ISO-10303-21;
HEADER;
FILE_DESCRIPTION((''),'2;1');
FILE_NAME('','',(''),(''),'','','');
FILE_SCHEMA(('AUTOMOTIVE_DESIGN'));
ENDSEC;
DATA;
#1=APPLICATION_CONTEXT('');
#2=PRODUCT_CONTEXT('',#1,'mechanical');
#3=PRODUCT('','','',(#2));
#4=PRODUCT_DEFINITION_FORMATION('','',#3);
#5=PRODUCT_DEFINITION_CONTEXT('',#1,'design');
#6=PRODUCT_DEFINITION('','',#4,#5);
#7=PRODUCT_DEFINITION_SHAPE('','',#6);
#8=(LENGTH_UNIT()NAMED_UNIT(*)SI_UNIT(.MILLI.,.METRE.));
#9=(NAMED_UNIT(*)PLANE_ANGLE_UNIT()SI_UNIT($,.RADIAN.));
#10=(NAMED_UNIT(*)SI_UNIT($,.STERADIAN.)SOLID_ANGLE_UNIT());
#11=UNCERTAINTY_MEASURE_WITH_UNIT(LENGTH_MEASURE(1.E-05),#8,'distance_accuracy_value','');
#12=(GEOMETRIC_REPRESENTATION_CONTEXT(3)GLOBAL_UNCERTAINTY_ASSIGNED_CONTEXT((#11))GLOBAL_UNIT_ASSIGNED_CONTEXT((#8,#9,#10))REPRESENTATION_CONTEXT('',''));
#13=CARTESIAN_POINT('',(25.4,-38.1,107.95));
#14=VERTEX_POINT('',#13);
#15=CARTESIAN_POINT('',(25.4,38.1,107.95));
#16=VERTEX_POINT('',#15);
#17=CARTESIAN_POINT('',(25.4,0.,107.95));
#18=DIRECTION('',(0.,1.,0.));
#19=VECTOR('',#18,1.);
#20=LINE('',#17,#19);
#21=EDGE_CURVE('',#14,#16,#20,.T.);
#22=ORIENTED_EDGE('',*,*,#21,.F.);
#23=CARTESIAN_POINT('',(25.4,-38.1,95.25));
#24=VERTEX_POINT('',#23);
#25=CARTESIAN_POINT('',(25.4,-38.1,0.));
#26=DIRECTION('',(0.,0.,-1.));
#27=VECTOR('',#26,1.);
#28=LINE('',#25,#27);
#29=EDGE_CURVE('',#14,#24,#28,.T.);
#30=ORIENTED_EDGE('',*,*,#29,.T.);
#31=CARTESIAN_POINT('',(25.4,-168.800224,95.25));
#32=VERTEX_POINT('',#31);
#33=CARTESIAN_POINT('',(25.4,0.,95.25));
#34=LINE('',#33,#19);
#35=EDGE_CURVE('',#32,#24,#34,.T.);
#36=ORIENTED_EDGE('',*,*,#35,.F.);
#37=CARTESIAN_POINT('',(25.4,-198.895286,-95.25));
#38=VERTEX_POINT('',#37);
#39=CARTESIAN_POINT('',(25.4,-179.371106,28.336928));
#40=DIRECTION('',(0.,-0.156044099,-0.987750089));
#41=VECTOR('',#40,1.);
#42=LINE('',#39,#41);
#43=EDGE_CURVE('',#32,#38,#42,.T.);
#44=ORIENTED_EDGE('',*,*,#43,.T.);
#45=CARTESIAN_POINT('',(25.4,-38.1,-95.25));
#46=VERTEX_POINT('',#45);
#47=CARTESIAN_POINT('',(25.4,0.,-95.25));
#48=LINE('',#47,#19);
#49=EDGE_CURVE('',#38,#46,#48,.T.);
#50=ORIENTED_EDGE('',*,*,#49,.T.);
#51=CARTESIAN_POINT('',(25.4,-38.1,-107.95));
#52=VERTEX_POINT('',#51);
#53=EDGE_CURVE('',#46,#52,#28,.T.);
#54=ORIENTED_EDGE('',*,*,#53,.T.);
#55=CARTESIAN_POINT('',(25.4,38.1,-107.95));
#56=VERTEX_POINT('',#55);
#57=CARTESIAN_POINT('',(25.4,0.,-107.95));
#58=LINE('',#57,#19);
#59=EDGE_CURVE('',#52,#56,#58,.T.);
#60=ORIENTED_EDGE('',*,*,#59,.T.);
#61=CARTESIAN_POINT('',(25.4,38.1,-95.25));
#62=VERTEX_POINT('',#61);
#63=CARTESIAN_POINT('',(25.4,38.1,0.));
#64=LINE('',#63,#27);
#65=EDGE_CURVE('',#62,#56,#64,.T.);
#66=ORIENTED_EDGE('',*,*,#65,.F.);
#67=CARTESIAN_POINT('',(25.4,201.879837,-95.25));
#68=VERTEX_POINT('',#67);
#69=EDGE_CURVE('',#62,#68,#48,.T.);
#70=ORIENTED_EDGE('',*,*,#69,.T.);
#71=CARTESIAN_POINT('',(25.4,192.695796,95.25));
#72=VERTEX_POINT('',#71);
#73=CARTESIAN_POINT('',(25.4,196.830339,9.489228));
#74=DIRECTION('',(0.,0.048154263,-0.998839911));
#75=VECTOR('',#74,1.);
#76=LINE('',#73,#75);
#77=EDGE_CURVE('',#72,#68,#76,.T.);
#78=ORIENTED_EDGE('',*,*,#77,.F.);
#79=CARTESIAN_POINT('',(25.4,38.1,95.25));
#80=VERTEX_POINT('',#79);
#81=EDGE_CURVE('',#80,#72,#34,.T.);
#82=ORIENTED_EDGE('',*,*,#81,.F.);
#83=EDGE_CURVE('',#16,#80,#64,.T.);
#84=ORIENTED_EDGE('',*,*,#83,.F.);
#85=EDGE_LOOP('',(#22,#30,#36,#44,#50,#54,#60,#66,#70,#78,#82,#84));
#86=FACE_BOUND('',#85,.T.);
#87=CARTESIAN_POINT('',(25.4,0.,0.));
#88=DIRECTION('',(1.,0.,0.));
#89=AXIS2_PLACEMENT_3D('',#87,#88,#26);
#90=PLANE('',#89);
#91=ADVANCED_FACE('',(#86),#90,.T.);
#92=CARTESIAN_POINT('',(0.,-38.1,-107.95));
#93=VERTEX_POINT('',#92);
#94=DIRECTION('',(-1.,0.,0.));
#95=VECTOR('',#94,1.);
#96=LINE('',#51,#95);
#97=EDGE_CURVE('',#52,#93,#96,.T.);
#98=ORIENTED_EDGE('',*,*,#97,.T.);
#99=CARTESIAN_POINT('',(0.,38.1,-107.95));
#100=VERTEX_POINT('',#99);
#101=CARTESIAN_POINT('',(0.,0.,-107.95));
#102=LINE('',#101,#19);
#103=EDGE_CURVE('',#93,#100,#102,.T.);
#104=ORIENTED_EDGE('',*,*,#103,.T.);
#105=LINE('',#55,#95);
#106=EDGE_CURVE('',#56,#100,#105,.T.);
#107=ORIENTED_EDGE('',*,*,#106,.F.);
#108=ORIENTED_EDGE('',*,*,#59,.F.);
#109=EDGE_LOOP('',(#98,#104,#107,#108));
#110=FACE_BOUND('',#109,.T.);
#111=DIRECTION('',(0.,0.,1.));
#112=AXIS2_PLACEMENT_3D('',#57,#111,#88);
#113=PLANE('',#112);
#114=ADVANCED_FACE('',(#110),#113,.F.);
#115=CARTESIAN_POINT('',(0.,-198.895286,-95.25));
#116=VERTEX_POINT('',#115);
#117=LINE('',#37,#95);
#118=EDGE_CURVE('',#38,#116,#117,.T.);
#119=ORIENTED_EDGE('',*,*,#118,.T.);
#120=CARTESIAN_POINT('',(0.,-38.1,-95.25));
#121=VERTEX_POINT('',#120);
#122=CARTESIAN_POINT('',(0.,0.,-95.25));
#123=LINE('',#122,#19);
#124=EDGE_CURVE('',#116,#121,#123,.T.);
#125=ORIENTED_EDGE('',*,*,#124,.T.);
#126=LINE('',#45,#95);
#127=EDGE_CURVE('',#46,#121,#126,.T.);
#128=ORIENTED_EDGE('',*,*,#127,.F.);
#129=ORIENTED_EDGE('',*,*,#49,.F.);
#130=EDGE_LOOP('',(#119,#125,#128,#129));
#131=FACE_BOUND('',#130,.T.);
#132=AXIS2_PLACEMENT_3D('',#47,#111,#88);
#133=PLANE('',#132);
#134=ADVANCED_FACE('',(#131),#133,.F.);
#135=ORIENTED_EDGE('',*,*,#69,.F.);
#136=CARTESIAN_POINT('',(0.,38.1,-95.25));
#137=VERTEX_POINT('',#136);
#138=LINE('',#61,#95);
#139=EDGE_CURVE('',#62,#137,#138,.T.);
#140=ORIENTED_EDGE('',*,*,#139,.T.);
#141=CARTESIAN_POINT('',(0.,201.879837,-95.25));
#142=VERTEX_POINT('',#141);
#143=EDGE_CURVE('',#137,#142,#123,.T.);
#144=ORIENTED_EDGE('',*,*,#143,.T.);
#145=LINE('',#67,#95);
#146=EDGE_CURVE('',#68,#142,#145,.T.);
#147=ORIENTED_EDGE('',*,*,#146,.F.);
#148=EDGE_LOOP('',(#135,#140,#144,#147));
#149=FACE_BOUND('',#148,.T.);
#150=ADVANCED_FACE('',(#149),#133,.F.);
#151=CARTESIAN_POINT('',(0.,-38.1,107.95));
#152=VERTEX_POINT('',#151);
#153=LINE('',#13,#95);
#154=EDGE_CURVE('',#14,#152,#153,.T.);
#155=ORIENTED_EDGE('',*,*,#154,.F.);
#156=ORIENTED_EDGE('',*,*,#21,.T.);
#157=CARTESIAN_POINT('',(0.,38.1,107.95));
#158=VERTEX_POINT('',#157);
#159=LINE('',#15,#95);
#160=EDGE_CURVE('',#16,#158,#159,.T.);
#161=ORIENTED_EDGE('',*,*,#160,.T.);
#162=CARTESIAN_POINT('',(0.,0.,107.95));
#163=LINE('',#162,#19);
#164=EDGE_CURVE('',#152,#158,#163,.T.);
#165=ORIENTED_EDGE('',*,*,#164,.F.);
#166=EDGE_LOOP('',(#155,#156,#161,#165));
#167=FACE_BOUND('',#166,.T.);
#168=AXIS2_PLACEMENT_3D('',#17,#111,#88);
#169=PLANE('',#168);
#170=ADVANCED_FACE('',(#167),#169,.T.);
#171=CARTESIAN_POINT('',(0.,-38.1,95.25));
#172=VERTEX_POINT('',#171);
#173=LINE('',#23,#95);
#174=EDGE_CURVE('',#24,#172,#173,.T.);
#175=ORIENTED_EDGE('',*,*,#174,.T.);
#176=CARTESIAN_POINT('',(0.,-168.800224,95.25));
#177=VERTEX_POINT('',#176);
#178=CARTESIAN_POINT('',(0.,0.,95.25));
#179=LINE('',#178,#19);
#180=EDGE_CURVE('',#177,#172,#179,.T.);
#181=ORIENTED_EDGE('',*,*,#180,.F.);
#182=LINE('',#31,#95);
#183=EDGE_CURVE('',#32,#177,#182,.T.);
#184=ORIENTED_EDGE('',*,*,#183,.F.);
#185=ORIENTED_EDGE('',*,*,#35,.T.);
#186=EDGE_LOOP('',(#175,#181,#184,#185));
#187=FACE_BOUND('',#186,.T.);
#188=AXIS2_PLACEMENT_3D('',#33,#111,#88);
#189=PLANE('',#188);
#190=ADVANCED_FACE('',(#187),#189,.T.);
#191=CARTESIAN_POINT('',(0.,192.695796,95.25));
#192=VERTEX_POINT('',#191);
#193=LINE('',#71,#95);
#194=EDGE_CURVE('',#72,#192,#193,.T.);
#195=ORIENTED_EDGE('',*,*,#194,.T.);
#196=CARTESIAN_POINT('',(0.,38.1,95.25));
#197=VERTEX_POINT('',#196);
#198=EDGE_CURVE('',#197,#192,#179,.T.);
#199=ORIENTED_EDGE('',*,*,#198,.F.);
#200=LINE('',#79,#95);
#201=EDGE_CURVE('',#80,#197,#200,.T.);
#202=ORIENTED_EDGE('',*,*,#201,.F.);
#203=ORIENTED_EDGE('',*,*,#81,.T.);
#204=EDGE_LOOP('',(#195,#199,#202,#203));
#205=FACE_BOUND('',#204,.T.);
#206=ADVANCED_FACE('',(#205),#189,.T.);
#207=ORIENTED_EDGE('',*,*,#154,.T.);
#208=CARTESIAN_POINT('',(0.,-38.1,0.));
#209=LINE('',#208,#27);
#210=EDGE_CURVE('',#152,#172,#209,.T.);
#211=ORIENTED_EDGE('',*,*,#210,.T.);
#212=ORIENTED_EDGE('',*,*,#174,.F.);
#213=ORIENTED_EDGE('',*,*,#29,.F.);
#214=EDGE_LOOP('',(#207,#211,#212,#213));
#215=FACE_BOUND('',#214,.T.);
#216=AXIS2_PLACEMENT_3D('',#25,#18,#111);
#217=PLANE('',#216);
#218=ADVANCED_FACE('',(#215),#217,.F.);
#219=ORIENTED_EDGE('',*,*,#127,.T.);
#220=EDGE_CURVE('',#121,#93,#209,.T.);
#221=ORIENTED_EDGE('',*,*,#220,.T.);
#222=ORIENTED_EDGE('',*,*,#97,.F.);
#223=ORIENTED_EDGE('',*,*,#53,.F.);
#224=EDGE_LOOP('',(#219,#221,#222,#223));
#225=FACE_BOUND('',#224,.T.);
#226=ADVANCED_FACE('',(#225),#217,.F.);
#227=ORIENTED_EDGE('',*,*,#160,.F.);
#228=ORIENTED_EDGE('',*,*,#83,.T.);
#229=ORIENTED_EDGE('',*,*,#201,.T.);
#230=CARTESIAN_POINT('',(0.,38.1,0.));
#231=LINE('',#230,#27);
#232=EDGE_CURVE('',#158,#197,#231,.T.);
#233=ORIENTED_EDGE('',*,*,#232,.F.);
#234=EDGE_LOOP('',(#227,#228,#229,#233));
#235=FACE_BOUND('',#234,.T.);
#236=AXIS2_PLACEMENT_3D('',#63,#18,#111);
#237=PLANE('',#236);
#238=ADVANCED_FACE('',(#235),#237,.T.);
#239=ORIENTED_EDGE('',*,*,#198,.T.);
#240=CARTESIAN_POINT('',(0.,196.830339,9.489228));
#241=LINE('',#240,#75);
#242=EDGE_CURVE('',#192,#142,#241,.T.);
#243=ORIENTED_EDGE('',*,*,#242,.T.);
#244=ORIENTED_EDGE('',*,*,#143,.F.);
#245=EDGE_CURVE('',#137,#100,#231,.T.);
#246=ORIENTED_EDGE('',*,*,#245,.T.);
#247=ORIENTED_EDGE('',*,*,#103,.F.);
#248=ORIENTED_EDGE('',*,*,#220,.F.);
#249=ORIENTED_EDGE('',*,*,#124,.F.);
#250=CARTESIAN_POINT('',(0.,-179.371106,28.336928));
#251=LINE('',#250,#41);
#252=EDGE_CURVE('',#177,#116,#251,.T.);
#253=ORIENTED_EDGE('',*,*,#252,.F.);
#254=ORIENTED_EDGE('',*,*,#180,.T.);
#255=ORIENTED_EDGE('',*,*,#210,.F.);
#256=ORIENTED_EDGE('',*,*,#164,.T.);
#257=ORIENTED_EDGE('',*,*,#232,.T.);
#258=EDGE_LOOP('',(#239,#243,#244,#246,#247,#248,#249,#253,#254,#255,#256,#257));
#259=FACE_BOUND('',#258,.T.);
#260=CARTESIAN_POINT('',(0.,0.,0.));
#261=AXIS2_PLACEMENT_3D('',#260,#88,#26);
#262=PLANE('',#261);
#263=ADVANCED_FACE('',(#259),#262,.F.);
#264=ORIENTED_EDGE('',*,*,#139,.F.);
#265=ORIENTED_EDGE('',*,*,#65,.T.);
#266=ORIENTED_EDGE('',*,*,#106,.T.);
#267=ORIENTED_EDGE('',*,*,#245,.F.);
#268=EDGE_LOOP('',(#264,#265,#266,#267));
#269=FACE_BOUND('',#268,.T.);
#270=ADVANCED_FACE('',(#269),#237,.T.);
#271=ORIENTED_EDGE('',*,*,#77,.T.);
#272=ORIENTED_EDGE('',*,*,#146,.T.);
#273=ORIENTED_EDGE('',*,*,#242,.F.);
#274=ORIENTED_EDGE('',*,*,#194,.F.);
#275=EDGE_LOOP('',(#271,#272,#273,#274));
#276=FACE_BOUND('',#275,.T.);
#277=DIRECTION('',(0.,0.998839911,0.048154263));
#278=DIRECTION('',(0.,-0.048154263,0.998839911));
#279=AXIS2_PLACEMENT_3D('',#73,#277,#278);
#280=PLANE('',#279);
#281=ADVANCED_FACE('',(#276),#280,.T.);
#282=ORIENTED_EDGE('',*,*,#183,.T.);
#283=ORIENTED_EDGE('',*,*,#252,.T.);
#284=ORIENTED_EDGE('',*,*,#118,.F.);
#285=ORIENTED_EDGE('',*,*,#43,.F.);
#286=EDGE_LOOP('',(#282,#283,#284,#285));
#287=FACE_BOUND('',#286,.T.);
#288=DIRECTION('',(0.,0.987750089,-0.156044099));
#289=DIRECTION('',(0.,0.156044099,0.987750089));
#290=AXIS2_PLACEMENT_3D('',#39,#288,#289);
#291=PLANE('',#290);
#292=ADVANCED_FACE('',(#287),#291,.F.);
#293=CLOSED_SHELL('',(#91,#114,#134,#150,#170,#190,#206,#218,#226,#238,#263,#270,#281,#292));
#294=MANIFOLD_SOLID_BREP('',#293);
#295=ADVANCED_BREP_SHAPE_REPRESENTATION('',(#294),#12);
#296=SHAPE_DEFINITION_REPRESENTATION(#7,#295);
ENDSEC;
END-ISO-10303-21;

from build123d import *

# Parameters (mm, degrees)
SKETCH1_W           = 12.7
SKETCH1_H           = 76.2
SKETCH1_W_2         = 190.5
BOSS_EXTRUDE1_DEPTH = 25.4


with BuildPart() as part:
    # Sketch1 → Boss-Extrude1 (new body)
    with BuildSketch(Plane(origin=(0, 0, 0), x_dir=(0, 0, -1), z_dir=(1, 0, 0))):
        Polygon((95.25, 201.879837032), (-95.25, 192.69579571), (-95.25, 38.1), (95.25, 38.1), align=None)
        with Locations((101.6, 0)):
            Rectangle(SKETCH1_W, SKETCH1_H)
        Rectangle(SKETCH1_W_2, SKETCH1_H)
        with Locations((-101.6, 0)):
            Rectangle(SKETCH1_W, SKETCH1_H)
        Polygon((95.25, -38.1), (-95.25, -38.1), (-95.25, -168.80022374), (95.25, -198.895286486), align=None)
    extrude(amount=BOSS_EXTRUDE1_DEPTH)


solid = part.part
